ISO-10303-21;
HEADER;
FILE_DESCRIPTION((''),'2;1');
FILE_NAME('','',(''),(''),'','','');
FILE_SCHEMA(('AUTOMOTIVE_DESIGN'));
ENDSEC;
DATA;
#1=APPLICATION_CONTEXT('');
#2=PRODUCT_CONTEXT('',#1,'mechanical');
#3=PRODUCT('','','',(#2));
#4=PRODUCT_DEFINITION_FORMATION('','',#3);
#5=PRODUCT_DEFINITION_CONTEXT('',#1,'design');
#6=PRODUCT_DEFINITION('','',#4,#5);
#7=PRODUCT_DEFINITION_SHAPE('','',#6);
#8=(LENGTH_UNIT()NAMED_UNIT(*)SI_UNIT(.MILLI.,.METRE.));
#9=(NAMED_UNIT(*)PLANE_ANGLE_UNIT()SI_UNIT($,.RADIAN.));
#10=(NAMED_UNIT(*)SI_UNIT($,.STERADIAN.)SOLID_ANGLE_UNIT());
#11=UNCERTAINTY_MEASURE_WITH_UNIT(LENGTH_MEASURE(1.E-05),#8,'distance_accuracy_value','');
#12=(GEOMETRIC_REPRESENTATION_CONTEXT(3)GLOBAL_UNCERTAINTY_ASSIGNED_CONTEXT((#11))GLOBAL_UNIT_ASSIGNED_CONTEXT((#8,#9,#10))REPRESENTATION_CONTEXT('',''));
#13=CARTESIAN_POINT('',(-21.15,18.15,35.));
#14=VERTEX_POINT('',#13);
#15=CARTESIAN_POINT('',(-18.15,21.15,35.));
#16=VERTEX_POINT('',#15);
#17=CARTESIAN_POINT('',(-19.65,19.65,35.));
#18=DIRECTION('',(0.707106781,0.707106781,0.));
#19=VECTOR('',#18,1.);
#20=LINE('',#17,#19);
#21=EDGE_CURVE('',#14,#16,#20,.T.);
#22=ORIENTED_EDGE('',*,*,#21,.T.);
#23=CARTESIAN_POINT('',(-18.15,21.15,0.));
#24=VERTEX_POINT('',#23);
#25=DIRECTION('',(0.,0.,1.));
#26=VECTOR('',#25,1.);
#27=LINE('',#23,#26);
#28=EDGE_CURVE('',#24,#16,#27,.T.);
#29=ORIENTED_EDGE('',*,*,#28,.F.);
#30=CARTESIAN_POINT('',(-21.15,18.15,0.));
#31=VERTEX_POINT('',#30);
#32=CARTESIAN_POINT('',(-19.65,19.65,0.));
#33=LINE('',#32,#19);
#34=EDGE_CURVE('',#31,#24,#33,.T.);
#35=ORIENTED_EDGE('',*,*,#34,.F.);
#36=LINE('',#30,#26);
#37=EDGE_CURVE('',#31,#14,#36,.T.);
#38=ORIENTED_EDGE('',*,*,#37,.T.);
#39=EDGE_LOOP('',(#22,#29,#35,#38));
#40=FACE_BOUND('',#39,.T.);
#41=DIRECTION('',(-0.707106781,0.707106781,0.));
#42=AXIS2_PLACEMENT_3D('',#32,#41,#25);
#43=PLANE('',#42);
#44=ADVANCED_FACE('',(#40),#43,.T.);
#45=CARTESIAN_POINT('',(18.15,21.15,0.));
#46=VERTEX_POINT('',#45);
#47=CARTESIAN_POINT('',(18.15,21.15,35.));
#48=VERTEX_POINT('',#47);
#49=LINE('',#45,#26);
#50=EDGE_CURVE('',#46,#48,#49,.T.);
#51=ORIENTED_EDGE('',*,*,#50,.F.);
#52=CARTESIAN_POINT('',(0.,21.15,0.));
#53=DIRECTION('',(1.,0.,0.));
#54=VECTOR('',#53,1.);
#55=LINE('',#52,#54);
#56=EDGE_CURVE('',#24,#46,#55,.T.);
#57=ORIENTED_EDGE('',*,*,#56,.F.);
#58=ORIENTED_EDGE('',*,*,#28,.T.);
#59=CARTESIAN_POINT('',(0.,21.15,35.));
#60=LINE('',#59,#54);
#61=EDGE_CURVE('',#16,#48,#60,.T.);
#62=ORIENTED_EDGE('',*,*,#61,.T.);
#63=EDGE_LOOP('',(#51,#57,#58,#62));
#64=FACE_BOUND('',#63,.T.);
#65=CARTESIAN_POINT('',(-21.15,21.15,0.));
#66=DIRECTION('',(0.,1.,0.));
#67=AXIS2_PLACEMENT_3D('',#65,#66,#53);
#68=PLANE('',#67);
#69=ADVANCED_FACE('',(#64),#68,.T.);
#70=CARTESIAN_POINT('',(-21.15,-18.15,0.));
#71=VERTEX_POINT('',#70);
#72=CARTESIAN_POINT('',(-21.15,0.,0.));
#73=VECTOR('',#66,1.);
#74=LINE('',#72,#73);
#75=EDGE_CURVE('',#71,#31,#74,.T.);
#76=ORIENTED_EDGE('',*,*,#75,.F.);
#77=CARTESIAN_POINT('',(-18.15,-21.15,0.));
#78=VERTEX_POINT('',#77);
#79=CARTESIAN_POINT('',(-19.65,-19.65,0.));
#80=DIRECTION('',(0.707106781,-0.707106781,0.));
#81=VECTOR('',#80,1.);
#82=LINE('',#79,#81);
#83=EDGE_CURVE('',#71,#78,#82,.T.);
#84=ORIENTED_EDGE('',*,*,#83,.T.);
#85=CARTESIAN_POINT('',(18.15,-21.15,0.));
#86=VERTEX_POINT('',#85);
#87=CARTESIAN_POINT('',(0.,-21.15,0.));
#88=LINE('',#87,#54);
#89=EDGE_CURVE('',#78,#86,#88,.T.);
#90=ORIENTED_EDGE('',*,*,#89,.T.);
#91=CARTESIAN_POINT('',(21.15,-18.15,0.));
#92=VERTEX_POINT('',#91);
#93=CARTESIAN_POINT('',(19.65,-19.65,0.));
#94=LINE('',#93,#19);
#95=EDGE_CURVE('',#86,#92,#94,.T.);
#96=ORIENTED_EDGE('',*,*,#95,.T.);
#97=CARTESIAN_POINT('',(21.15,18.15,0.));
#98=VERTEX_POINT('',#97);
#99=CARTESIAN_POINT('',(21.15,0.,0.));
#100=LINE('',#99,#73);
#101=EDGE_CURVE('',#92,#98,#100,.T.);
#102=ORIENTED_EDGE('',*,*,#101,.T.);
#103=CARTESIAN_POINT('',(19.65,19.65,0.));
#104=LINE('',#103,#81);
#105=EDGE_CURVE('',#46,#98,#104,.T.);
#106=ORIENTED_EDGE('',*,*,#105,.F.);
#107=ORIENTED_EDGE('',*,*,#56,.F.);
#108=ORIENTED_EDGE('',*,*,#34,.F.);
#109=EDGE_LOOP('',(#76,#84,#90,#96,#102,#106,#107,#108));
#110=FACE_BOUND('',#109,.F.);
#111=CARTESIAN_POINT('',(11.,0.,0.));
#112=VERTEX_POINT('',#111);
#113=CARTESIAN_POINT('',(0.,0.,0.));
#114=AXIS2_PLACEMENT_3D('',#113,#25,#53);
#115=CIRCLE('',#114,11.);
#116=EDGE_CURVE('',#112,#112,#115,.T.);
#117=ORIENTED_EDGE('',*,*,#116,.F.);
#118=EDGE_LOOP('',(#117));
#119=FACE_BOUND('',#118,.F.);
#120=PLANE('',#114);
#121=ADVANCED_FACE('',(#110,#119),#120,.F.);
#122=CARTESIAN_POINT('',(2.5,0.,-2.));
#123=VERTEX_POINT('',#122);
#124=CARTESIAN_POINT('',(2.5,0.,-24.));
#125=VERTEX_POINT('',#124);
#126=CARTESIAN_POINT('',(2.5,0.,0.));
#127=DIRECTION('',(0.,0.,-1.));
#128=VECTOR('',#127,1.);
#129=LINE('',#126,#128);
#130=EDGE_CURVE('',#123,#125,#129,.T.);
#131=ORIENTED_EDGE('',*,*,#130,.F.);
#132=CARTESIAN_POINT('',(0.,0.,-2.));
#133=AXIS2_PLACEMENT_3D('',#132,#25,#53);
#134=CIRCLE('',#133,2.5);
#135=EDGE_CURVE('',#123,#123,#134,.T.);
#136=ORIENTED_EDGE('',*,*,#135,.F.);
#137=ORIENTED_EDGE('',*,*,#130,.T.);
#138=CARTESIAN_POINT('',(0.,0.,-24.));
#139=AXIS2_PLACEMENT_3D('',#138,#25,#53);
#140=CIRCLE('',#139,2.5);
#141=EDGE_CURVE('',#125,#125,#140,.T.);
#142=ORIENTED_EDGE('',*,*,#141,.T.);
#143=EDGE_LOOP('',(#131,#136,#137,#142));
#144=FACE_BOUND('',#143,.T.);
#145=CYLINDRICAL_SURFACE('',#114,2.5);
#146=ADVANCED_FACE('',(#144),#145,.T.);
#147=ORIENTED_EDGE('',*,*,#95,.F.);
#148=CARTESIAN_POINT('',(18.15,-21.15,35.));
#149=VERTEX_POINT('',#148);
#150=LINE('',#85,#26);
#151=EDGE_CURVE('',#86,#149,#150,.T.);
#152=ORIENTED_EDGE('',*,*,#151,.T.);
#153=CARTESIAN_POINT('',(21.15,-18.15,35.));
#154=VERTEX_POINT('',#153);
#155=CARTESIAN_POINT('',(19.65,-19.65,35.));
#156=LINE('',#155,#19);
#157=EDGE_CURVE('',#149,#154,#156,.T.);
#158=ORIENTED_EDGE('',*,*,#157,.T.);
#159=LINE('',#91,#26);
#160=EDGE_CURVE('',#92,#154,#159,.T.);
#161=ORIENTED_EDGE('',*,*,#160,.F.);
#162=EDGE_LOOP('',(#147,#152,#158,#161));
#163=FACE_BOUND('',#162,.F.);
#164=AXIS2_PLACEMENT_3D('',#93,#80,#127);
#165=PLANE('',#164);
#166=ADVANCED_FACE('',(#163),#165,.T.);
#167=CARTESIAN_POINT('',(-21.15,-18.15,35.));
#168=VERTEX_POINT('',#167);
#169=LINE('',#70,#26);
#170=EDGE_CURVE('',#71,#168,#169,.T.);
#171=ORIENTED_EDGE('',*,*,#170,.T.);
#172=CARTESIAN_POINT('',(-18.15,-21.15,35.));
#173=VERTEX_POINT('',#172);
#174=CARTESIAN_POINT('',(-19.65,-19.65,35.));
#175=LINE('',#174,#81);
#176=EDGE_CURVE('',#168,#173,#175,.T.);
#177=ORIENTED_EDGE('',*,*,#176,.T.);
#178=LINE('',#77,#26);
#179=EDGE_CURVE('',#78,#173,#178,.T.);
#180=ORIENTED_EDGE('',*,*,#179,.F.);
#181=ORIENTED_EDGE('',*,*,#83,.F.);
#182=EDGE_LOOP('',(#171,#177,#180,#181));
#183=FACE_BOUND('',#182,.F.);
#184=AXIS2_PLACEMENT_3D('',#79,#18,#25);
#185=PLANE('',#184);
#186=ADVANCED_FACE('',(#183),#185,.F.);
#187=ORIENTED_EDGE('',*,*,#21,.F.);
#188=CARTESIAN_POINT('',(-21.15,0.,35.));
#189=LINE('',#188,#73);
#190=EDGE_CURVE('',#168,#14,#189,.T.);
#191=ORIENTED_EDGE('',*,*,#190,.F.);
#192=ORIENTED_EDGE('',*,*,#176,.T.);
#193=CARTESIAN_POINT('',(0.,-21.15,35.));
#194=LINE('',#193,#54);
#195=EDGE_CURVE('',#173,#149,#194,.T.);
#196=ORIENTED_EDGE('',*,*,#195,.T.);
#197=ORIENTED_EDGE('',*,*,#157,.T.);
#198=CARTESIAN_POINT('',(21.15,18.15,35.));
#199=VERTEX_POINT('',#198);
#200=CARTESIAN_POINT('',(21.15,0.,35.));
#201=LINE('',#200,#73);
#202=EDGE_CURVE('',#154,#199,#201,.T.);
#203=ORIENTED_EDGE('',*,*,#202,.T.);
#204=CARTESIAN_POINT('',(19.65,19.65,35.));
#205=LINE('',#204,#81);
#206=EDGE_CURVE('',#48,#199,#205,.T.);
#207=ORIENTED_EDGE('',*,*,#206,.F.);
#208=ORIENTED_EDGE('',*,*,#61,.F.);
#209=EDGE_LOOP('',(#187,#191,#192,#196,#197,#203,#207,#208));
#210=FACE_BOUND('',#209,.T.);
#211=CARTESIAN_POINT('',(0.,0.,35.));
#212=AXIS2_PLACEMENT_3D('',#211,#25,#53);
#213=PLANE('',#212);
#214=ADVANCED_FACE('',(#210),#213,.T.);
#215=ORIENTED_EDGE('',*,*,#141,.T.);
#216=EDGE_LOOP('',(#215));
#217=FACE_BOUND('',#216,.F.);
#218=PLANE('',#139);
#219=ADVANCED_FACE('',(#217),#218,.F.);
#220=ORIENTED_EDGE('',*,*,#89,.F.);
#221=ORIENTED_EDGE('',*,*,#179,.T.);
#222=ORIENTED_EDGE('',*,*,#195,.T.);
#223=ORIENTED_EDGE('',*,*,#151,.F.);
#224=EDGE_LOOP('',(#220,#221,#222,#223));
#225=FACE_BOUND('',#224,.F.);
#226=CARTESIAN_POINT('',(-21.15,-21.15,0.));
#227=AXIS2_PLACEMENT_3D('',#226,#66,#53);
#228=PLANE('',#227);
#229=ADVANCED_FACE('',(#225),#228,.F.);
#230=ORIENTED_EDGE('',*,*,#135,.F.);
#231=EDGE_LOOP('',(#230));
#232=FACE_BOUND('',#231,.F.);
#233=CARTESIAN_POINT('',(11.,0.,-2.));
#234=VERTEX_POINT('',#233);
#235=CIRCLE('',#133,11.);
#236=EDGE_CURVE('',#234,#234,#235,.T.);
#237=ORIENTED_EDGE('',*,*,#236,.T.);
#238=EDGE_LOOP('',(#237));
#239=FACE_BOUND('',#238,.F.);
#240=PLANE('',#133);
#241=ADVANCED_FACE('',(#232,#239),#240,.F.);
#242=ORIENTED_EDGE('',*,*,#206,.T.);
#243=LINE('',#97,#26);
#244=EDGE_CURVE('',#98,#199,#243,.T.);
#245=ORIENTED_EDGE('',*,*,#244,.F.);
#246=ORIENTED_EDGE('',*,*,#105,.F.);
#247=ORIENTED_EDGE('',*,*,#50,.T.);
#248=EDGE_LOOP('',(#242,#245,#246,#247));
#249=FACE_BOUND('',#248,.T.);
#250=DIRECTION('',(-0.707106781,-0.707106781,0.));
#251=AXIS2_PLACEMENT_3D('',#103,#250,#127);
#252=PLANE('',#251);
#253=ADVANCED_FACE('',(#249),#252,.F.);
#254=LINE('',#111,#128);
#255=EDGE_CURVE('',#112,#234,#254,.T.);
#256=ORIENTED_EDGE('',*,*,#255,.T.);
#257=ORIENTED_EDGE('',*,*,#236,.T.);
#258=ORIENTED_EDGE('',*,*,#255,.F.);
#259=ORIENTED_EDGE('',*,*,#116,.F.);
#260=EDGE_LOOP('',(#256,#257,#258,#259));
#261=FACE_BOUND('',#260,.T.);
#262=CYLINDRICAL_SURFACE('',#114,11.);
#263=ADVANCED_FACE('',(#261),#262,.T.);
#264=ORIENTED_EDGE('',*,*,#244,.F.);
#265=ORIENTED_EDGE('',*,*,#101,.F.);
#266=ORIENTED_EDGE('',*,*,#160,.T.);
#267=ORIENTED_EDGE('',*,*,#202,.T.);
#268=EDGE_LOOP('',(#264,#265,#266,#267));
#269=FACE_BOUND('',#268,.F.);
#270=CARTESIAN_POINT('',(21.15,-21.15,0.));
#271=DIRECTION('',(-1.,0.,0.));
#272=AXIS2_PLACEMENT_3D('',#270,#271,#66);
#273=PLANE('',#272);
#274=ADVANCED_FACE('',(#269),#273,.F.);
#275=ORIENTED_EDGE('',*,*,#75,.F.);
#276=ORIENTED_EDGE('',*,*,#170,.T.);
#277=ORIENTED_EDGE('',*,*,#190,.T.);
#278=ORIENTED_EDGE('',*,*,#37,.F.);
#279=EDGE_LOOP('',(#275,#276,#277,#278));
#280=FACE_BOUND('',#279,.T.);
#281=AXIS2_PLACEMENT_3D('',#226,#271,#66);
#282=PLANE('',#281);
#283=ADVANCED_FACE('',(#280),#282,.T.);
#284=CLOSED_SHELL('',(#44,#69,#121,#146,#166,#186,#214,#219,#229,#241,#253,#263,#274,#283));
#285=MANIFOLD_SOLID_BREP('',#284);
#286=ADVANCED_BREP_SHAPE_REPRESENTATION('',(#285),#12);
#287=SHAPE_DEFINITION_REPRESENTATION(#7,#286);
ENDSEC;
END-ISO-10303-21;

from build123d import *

# Parameters (mm, degrees)
F0_W     = 42.3
F0_H     = 42.3
F0_R     = 11
F0_R_2   = 2.5
F1_DEPTH = 35
F2_DEPTH = 24
F3_DEPTH = 2
F4_SIZE  = 3


with BuildPart() as f1:
    # F0 (on Top) → F1 (new body)
    with BuildSketch(Plane.XY):
        Rectangle(F0_W, F0_H)
        Circle(F0_R, mode=Mode.SUBTRACT)
        Circle(F0_R)
        Circle(F0_R_2, mode=Mode.SUBTRACT)
        Circle(F0_R_2)
    extrude(amount=F1_DEPTH)

    # F0 (on Top) → F2 (join)
    with BuildSketch(Plane.XY):
        Circle(F0_R_2)
    extrude(amount=-F2_DEPTH)

    # F0 (on Top) → F3 (join)
    with BuildSketch(Plane.XY):
        Circle(F0_R)
        Circle(F0_R_2, mode=Mode.SUBTRACT)
    extrude(amount=-F3_DEPTH)

    # F4
    f4_edges = [f1.edges().sort_by_distance(p)[0] for p in [
        (-21.15, -21.15, 17.5),
        (21.15, -21.15, 17.5),
        (21.15, 21.15, 17.5),
        (-21.15, 21.15, 17.5),
    ]]
    chamfer(f4_edges, length=F4_SIZE)


solid = f1.part
